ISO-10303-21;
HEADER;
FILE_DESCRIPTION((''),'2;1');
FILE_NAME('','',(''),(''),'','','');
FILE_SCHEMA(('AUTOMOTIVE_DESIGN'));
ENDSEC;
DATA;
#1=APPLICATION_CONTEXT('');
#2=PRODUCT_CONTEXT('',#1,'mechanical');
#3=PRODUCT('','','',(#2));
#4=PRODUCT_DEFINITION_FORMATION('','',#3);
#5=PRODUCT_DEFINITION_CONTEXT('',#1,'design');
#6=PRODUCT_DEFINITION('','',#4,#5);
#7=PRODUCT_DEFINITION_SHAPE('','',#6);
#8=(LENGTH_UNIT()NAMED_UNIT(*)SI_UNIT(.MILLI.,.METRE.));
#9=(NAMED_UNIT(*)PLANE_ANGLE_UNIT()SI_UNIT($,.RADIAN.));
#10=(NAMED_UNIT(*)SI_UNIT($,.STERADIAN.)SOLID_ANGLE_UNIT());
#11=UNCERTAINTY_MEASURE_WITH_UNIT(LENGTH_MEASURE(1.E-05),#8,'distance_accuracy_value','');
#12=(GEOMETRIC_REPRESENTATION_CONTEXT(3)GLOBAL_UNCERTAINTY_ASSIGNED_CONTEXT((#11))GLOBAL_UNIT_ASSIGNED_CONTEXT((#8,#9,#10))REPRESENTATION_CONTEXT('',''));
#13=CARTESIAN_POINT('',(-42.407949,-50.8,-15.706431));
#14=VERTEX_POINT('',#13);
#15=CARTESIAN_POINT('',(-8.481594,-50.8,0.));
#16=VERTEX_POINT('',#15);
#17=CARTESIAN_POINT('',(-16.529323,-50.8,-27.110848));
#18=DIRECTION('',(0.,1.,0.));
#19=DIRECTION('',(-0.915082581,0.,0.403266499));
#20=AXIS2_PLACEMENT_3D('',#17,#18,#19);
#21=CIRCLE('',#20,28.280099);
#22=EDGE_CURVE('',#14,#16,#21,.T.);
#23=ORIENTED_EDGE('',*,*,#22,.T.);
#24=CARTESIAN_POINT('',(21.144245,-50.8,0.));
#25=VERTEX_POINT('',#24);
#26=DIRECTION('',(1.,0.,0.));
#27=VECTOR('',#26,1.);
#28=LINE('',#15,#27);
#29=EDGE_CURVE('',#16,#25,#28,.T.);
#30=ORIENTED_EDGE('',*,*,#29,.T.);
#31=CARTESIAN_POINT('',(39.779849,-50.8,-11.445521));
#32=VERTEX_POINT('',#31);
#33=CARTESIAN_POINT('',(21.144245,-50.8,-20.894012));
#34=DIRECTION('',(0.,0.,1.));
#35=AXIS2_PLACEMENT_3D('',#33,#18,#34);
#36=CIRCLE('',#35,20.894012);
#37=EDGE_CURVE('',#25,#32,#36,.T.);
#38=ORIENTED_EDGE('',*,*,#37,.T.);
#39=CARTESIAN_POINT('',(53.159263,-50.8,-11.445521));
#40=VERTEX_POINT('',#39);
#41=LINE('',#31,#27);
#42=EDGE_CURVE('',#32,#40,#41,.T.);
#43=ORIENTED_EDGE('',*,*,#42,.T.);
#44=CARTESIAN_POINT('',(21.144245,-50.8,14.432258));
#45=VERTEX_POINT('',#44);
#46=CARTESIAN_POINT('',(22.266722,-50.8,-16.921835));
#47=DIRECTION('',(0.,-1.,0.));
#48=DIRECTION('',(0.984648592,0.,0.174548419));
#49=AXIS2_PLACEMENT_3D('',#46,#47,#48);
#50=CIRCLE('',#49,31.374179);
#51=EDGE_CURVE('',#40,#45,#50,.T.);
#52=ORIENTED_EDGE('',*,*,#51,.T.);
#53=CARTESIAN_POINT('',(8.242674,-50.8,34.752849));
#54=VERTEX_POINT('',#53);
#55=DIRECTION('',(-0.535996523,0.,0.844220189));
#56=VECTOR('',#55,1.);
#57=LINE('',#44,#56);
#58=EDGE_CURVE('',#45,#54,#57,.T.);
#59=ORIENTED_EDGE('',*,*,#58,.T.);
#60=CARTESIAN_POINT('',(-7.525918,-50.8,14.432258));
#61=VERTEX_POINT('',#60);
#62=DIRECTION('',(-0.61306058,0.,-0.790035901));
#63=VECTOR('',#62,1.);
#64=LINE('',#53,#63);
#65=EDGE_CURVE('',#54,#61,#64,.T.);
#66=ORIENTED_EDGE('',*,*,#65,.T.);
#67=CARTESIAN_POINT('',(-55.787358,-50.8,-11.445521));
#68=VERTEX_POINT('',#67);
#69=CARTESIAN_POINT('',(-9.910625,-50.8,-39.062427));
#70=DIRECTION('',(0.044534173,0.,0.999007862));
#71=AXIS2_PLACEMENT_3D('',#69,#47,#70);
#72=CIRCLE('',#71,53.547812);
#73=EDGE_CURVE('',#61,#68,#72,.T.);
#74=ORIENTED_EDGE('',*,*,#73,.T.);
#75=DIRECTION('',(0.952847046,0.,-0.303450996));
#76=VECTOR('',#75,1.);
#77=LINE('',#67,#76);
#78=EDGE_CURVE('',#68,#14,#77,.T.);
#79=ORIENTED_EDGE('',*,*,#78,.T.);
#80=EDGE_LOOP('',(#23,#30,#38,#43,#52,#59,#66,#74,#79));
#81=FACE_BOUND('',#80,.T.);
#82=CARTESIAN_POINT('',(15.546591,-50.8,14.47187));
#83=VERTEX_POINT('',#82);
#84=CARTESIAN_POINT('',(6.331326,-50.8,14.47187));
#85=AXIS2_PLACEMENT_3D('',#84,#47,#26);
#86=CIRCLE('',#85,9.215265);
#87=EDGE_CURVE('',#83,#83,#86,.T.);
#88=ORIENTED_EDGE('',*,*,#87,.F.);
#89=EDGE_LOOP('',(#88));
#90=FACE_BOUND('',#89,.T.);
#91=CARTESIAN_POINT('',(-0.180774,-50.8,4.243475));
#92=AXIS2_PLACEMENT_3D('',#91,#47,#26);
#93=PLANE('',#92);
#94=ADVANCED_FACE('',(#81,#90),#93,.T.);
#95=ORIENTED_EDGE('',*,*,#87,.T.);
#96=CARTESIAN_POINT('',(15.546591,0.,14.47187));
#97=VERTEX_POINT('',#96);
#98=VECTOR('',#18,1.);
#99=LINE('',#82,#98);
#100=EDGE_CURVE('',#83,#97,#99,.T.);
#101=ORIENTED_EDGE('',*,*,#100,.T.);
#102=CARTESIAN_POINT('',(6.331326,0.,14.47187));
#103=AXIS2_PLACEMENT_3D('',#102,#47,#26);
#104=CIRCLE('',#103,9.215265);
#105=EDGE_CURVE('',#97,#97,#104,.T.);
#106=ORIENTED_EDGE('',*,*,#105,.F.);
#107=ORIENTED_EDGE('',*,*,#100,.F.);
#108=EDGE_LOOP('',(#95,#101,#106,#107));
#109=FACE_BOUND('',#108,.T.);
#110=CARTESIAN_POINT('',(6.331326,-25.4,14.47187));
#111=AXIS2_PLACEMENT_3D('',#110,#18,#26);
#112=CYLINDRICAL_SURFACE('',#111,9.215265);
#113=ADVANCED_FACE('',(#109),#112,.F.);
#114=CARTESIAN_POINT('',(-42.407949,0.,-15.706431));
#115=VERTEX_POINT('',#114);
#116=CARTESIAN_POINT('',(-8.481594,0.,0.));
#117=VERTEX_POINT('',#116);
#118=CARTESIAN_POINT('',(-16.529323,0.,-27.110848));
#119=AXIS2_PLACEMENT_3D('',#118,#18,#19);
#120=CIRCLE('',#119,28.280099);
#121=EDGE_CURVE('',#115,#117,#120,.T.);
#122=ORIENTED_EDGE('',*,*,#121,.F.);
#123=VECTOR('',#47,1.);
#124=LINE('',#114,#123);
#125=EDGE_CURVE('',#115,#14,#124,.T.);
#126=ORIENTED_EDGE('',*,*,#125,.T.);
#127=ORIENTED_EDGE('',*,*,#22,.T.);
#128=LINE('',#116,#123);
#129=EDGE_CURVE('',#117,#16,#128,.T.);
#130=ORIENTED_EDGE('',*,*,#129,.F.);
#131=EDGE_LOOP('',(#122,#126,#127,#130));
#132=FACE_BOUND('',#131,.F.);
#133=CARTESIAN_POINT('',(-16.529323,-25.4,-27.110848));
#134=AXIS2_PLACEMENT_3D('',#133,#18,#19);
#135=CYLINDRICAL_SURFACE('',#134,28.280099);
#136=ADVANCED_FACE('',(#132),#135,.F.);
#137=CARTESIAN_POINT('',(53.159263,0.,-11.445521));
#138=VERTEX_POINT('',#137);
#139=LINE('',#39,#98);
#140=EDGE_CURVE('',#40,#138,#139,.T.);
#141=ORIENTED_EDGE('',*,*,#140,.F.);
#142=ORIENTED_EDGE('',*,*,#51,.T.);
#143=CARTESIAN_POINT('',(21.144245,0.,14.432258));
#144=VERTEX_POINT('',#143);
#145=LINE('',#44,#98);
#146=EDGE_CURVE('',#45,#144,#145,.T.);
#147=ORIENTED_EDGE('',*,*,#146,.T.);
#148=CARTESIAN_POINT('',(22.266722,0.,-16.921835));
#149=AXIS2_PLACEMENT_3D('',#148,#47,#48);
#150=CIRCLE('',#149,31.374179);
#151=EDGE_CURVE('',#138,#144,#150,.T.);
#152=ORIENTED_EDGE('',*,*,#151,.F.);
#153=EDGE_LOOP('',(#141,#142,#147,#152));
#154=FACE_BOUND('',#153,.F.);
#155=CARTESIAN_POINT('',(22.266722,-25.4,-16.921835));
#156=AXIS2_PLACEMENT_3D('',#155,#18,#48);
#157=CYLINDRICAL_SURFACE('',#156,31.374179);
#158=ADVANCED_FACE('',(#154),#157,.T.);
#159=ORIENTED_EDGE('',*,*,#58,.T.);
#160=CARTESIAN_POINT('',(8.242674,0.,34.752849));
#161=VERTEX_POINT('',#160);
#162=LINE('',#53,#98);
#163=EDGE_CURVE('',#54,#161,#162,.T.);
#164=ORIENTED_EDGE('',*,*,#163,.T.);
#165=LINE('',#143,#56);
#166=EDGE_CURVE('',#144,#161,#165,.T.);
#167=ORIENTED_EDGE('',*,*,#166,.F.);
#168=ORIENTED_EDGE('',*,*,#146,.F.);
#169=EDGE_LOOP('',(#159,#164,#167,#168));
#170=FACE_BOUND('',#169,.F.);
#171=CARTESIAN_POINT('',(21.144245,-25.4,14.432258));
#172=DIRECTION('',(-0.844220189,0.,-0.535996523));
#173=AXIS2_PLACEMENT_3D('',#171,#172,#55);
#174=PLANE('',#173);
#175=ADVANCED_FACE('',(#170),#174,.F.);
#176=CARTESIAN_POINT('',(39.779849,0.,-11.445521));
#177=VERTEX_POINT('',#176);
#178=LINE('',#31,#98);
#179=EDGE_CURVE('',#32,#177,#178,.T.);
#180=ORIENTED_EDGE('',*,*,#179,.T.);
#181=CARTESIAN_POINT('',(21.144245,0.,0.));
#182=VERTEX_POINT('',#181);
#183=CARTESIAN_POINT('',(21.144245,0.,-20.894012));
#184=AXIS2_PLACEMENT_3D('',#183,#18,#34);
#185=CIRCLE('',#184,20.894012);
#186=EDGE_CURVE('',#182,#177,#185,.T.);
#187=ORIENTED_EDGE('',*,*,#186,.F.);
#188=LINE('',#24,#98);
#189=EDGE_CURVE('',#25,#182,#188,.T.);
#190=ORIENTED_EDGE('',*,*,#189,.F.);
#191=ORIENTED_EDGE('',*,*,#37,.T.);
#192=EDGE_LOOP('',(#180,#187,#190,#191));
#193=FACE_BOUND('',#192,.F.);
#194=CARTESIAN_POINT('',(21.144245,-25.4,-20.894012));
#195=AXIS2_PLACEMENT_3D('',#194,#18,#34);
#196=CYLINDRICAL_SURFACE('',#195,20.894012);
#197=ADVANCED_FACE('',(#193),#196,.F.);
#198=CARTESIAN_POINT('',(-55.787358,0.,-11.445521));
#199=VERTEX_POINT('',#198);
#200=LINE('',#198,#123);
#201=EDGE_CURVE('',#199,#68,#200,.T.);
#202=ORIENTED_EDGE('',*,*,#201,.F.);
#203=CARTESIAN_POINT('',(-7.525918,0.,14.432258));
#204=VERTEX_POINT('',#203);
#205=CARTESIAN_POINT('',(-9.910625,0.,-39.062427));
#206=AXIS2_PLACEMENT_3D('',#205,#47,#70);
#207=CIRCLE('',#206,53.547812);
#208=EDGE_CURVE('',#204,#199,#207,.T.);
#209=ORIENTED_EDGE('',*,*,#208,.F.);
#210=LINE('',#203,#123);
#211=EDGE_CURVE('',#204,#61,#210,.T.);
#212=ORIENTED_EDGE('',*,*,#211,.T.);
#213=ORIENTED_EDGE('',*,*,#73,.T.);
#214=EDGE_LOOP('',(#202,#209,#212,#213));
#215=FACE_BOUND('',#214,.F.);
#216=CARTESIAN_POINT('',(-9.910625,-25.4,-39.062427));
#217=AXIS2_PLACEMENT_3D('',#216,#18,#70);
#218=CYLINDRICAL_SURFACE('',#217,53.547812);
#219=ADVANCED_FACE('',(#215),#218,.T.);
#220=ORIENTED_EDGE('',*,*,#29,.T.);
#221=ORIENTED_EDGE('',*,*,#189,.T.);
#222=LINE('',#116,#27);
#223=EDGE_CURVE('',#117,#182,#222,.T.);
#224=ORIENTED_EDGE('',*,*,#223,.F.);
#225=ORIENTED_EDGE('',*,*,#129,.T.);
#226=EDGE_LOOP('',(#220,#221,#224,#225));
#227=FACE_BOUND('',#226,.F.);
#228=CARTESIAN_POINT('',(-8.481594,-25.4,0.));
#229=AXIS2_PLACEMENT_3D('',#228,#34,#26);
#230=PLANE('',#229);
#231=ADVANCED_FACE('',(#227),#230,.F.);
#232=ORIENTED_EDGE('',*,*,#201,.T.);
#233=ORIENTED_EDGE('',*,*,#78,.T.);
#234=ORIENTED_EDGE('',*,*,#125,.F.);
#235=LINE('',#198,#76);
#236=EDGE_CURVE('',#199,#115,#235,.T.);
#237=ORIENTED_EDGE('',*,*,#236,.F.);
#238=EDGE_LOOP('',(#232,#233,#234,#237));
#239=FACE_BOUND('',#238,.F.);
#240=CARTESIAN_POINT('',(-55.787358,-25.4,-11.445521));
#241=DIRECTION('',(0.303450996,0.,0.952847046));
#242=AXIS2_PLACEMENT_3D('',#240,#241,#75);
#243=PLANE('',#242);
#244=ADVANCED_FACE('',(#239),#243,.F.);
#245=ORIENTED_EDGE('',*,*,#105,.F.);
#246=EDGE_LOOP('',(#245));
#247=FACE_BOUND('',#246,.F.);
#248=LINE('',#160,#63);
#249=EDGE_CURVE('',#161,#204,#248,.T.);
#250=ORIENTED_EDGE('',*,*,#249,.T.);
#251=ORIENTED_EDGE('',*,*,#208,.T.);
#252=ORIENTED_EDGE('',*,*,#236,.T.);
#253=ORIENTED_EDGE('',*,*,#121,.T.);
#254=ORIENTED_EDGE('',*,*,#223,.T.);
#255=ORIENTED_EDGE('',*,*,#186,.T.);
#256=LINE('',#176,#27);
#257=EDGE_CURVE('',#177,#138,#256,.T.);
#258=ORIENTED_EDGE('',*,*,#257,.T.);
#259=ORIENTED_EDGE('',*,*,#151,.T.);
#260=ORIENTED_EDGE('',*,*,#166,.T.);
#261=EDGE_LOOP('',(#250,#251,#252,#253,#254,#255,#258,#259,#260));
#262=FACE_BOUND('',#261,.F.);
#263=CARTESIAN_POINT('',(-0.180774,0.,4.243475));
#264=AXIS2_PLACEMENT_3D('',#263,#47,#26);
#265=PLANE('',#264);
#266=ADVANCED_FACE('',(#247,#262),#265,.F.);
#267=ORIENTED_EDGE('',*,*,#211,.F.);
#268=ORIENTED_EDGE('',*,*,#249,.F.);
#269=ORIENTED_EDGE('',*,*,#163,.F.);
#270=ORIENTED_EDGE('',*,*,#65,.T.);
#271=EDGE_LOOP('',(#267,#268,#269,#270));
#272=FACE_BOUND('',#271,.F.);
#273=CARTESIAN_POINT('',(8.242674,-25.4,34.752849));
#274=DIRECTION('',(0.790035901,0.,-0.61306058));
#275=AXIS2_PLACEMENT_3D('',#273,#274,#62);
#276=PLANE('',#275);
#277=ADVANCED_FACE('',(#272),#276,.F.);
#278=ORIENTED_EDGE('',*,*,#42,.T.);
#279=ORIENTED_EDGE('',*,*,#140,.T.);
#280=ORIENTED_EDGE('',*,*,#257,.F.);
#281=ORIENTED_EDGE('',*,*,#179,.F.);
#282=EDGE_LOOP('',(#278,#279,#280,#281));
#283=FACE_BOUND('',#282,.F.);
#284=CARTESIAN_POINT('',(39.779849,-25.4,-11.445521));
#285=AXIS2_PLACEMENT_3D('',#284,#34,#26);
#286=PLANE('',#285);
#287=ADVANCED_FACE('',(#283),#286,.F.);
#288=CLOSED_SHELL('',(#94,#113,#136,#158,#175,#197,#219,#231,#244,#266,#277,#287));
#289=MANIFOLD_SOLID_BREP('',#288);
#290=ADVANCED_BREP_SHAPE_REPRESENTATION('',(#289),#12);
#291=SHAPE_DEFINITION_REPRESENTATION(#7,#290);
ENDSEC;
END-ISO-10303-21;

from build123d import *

# Parameters (mm, degrees)
F0_R     = 9.2152651148
F1_DEPTH = 25.4
F2_DEPTH = 25.4


with BuildPart() as f1:
    # F0 (on Front) → F1 (new body)
    with BuildSketch(Plane.XZ):
        with BuildLine():
            Line((8.2426741719, 34.7528494895), (-7.5259176083, 14.4322579727))
            ThreePointArc((-7.5259176083, 14.4322579727), (-35.2148528902, 8.1293541005), (-55.787358433, -11.445521377))
            Line((-55.787358433, -11.445521377), (-42.4079485238, -15.7064311206))
            ThreePointArc((-42.4079485238, -15.7064311206), (-28.4103249807, -1.4475318002), (-8.4815938026, 0))
            Line((-8.4815938026, 0), (21.1442448199, 0))
            ThreePointArc((21.1442448199, 0), (32.0791169706, -3.0898465651), (39.7798493505, -11.445521377))
            Line((39.7798493505, -11.445521377), (53.159262985, -11.445521377))
            ThreePointArc((53.159262985, -11.445521377), (41.9892736465, 7.4781663126), (21.1442448199, 14.4322579727))
            Line((21.1442448199, 14.4322579727), (8.2426741719, 34.7528494895))
        make_face()
        with Locations((6.3313255087, 14.4718699157)):
            Circle(F0_R, mode=Mode.SUBTRACT)
    extrude(amount=F1_DEPTH)

    # F2 (add): a face of the model
    f2_faces = [f1.faces().sort_by_distance(p)[0] for p in [
        (1.1481336388, -25.4, 4.4851792598),
    ]]
    extrude(f2_faces, amount=F2_DEPTH)


solid = f1.part
